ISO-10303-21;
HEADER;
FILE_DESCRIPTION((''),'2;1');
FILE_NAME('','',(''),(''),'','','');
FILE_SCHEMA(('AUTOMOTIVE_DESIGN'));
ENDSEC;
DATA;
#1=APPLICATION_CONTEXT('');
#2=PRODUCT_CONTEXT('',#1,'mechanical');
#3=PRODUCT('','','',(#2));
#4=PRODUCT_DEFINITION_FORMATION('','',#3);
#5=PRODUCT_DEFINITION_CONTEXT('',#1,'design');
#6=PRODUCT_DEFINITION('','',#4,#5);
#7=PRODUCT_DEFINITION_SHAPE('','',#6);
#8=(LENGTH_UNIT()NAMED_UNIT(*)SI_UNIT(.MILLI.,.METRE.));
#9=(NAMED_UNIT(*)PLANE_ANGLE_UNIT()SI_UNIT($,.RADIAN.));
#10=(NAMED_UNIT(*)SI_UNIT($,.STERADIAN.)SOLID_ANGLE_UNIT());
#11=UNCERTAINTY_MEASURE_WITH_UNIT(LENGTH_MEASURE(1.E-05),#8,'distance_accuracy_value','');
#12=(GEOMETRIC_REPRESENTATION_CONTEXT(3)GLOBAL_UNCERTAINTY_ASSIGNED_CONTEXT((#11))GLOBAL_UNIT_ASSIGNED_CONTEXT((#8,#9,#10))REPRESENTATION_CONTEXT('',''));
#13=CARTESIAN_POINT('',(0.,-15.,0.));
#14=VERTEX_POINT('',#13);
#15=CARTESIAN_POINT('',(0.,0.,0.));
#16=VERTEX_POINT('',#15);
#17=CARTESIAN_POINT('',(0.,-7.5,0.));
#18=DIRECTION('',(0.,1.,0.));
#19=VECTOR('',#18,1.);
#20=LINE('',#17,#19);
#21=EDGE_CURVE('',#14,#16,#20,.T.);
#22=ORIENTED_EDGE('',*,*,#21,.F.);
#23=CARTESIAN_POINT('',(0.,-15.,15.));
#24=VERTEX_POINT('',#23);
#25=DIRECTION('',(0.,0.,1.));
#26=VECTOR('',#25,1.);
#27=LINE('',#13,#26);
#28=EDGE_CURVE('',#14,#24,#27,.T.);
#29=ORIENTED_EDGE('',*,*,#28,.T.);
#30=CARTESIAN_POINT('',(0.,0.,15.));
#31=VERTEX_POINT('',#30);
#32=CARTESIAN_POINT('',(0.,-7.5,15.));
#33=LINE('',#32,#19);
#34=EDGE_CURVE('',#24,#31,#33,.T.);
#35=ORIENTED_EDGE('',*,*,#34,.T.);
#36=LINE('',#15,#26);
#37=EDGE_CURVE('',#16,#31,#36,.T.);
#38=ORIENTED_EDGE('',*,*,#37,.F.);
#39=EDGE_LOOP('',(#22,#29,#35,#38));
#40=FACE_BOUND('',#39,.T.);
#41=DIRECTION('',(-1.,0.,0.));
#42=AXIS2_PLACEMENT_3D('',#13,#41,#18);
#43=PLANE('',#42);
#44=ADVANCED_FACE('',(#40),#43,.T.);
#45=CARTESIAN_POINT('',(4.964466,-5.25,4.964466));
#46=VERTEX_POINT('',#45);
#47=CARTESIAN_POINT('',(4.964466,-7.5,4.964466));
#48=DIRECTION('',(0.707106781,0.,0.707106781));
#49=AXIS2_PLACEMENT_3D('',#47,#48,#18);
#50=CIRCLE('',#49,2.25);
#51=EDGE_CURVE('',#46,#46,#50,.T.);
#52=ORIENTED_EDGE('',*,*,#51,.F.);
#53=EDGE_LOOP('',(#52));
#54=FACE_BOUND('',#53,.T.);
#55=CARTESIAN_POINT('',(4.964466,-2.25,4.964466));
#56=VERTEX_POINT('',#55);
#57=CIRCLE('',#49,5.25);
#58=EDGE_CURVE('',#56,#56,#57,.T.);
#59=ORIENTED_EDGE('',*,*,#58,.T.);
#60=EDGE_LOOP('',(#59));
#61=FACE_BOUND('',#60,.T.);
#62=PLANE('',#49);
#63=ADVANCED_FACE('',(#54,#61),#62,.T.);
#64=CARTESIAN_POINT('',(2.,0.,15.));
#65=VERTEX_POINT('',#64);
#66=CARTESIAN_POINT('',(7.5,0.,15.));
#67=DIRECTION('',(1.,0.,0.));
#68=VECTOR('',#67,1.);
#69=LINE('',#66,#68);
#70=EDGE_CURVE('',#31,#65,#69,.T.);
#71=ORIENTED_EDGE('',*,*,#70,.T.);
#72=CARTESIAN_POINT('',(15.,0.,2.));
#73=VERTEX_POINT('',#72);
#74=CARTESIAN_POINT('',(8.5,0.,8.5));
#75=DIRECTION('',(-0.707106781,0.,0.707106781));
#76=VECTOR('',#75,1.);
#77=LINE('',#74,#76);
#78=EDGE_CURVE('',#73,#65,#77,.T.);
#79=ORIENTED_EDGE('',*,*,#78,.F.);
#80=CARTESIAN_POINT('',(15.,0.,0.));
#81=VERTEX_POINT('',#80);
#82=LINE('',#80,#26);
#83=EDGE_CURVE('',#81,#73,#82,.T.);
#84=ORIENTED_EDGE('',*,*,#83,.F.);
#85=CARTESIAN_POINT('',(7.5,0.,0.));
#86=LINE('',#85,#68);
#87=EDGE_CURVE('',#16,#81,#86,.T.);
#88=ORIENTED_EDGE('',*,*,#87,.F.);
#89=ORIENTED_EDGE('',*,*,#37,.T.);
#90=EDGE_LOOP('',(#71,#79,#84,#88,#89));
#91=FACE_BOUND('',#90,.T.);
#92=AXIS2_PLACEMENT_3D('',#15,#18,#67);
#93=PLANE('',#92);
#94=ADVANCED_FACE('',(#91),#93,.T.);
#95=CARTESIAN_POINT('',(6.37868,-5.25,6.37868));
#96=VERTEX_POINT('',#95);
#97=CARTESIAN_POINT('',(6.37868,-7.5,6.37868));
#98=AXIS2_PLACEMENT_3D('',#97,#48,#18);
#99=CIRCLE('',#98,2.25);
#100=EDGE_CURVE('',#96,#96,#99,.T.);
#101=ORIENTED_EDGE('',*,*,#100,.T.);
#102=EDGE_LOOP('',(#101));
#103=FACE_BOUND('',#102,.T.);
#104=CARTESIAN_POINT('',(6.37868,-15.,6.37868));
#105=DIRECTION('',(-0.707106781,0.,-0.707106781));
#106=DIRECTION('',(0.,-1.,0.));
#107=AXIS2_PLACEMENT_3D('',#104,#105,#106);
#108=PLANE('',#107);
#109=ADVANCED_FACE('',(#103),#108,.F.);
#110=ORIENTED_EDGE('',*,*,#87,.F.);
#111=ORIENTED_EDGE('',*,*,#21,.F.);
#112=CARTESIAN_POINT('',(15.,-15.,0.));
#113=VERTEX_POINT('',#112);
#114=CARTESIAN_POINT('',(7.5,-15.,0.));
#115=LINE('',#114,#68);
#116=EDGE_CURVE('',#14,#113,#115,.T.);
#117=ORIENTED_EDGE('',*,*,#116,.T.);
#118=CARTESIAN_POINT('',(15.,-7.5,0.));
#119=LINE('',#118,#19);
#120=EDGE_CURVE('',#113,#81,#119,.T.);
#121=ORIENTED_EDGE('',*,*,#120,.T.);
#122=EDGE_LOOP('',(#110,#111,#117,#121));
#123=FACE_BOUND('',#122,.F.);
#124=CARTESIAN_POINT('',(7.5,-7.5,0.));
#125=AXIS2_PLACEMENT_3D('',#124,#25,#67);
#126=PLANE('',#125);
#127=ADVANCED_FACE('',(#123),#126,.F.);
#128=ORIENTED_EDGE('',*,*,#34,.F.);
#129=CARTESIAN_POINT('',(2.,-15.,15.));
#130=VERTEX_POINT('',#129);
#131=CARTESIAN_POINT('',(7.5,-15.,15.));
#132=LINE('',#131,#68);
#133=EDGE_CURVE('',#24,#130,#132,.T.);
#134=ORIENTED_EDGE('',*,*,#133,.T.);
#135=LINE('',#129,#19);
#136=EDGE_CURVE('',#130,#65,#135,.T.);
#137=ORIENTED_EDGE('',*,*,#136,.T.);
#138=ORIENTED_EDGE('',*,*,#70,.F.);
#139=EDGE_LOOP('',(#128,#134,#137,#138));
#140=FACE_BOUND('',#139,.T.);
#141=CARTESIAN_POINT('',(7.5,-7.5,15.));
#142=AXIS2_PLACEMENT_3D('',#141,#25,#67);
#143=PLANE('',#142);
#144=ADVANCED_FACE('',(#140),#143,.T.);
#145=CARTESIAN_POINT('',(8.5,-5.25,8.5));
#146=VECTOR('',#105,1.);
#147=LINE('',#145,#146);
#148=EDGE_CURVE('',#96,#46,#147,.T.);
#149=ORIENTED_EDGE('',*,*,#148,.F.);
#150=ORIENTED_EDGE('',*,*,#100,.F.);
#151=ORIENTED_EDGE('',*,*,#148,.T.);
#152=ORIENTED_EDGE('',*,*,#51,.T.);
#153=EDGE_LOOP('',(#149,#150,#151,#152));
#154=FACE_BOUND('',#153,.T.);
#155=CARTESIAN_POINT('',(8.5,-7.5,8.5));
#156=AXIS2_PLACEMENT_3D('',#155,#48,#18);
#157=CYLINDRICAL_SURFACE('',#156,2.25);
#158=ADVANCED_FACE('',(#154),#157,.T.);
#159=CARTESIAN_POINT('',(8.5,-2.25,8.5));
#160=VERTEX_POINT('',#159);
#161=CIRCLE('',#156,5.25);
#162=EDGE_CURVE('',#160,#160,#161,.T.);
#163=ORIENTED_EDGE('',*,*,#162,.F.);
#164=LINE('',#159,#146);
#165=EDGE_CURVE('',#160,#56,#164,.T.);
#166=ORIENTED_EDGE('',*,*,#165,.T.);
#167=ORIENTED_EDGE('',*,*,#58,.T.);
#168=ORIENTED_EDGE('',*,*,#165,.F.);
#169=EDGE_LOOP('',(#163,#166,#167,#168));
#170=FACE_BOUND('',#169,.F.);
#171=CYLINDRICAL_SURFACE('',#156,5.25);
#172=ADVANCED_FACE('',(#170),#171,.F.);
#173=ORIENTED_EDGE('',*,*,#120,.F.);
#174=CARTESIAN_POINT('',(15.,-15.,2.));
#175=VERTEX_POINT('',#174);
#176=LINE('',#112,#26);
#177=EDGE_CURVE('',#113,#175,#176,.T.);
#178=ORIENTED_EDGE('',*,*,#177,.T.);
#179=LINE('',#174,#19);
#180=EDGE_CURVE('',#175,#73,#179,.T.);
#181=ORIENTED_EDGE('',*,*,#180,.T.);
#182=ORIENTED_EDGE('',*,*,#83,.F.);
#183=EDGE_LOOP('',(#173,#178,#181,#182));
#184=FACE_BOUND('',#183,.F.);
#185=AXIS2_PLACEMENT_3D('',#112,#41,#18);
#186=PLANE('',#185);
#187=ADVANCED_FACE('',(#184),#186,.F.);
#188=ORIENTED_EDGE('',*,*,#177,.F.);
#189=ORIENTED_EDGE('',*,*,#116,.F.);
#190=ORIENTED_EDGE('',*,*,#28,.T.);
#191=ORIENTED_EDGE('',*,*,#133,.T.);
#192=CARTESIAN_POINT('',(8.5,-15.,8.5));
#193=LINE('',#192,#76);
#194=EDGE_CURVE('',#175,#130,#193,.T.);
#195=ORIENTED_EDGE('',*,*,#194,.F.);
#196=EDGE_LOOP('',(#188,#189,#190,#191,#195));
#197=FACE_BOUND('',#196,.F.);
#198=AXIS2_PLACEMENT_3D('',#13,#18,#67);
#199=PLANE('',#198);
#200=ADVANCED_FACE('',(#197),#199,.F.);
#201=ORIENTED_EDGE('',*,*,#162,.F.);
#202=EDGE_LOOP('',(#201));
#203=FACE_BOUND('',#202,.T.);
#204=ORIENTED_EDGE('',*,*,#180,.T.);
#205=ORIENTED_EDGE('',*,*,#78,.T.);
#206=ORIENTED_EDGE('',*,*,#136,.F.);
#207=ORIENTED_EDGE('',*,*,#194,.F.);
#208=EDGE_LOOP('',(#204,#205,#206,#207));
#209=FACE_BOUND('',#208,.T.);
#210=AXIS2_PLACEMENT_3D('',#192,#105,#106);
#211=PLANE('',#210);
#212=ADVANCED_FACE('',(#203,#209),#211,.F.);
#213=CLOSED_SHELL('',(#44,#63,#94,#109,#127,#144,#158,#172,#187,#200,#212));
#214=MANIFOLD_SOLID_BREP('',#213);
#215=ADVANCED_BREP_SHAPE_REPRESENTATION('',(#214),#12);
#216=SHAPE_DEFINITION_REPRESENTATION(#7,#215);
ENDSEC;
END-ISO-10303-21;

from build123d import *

# Parameters (mm, degrees)
F0_W     = 15
F0_H     = 15
F1_DEPTH = 15
F2_SIZE  = 13
F3_R     = 5.25
F3_R_2   = 2.25
F4_DEPTH = 5
F5_DEPTH = 3


with BuildPart() as f1:
    # F0 (on Top) → F1 (new body)
    with BuildSketch(Plane.XY):
        with Locations((7.5, -7.5)):
            Rectangle(F0_W, F0_H)
    extrude(amount=F1_DEPTH)

    # F2
    f2_edges = [f1.edges().sort_by_distance(p)[0] for p in [
        (15, -7.5, 15),
    ]]
    chamfer(f2_edges, length=F2_SIZE)

    # F3 (on face) → F4 (cut)
    with BuildSketch(Plane(origin=(8.5, 0, 8.5), x_dir=(0, 1, 0), z_dir=(0.7071067812, 0, 0.7071067812))):
        with Locations((-7.5, 0)):
            Circle(F3_R)
        with Locations((-7.5, 0)):
            Circle(F3_R_2, mode=Mode.SUBTRACT)
    extrude(amount=-F4_DEPTH, mode=Mode.SUBTRACT)

    # F5 (cut): a face of the model
    f5_faces = [f1.faces().sort_by_distance(p)[0] for p in [
        (8.5, -7.5, 8.5),
    ]]
    extrude(f5_faces, amount=-F5_DEPTH, mode=Mode.SUBTRACT)


solid = f1.part
